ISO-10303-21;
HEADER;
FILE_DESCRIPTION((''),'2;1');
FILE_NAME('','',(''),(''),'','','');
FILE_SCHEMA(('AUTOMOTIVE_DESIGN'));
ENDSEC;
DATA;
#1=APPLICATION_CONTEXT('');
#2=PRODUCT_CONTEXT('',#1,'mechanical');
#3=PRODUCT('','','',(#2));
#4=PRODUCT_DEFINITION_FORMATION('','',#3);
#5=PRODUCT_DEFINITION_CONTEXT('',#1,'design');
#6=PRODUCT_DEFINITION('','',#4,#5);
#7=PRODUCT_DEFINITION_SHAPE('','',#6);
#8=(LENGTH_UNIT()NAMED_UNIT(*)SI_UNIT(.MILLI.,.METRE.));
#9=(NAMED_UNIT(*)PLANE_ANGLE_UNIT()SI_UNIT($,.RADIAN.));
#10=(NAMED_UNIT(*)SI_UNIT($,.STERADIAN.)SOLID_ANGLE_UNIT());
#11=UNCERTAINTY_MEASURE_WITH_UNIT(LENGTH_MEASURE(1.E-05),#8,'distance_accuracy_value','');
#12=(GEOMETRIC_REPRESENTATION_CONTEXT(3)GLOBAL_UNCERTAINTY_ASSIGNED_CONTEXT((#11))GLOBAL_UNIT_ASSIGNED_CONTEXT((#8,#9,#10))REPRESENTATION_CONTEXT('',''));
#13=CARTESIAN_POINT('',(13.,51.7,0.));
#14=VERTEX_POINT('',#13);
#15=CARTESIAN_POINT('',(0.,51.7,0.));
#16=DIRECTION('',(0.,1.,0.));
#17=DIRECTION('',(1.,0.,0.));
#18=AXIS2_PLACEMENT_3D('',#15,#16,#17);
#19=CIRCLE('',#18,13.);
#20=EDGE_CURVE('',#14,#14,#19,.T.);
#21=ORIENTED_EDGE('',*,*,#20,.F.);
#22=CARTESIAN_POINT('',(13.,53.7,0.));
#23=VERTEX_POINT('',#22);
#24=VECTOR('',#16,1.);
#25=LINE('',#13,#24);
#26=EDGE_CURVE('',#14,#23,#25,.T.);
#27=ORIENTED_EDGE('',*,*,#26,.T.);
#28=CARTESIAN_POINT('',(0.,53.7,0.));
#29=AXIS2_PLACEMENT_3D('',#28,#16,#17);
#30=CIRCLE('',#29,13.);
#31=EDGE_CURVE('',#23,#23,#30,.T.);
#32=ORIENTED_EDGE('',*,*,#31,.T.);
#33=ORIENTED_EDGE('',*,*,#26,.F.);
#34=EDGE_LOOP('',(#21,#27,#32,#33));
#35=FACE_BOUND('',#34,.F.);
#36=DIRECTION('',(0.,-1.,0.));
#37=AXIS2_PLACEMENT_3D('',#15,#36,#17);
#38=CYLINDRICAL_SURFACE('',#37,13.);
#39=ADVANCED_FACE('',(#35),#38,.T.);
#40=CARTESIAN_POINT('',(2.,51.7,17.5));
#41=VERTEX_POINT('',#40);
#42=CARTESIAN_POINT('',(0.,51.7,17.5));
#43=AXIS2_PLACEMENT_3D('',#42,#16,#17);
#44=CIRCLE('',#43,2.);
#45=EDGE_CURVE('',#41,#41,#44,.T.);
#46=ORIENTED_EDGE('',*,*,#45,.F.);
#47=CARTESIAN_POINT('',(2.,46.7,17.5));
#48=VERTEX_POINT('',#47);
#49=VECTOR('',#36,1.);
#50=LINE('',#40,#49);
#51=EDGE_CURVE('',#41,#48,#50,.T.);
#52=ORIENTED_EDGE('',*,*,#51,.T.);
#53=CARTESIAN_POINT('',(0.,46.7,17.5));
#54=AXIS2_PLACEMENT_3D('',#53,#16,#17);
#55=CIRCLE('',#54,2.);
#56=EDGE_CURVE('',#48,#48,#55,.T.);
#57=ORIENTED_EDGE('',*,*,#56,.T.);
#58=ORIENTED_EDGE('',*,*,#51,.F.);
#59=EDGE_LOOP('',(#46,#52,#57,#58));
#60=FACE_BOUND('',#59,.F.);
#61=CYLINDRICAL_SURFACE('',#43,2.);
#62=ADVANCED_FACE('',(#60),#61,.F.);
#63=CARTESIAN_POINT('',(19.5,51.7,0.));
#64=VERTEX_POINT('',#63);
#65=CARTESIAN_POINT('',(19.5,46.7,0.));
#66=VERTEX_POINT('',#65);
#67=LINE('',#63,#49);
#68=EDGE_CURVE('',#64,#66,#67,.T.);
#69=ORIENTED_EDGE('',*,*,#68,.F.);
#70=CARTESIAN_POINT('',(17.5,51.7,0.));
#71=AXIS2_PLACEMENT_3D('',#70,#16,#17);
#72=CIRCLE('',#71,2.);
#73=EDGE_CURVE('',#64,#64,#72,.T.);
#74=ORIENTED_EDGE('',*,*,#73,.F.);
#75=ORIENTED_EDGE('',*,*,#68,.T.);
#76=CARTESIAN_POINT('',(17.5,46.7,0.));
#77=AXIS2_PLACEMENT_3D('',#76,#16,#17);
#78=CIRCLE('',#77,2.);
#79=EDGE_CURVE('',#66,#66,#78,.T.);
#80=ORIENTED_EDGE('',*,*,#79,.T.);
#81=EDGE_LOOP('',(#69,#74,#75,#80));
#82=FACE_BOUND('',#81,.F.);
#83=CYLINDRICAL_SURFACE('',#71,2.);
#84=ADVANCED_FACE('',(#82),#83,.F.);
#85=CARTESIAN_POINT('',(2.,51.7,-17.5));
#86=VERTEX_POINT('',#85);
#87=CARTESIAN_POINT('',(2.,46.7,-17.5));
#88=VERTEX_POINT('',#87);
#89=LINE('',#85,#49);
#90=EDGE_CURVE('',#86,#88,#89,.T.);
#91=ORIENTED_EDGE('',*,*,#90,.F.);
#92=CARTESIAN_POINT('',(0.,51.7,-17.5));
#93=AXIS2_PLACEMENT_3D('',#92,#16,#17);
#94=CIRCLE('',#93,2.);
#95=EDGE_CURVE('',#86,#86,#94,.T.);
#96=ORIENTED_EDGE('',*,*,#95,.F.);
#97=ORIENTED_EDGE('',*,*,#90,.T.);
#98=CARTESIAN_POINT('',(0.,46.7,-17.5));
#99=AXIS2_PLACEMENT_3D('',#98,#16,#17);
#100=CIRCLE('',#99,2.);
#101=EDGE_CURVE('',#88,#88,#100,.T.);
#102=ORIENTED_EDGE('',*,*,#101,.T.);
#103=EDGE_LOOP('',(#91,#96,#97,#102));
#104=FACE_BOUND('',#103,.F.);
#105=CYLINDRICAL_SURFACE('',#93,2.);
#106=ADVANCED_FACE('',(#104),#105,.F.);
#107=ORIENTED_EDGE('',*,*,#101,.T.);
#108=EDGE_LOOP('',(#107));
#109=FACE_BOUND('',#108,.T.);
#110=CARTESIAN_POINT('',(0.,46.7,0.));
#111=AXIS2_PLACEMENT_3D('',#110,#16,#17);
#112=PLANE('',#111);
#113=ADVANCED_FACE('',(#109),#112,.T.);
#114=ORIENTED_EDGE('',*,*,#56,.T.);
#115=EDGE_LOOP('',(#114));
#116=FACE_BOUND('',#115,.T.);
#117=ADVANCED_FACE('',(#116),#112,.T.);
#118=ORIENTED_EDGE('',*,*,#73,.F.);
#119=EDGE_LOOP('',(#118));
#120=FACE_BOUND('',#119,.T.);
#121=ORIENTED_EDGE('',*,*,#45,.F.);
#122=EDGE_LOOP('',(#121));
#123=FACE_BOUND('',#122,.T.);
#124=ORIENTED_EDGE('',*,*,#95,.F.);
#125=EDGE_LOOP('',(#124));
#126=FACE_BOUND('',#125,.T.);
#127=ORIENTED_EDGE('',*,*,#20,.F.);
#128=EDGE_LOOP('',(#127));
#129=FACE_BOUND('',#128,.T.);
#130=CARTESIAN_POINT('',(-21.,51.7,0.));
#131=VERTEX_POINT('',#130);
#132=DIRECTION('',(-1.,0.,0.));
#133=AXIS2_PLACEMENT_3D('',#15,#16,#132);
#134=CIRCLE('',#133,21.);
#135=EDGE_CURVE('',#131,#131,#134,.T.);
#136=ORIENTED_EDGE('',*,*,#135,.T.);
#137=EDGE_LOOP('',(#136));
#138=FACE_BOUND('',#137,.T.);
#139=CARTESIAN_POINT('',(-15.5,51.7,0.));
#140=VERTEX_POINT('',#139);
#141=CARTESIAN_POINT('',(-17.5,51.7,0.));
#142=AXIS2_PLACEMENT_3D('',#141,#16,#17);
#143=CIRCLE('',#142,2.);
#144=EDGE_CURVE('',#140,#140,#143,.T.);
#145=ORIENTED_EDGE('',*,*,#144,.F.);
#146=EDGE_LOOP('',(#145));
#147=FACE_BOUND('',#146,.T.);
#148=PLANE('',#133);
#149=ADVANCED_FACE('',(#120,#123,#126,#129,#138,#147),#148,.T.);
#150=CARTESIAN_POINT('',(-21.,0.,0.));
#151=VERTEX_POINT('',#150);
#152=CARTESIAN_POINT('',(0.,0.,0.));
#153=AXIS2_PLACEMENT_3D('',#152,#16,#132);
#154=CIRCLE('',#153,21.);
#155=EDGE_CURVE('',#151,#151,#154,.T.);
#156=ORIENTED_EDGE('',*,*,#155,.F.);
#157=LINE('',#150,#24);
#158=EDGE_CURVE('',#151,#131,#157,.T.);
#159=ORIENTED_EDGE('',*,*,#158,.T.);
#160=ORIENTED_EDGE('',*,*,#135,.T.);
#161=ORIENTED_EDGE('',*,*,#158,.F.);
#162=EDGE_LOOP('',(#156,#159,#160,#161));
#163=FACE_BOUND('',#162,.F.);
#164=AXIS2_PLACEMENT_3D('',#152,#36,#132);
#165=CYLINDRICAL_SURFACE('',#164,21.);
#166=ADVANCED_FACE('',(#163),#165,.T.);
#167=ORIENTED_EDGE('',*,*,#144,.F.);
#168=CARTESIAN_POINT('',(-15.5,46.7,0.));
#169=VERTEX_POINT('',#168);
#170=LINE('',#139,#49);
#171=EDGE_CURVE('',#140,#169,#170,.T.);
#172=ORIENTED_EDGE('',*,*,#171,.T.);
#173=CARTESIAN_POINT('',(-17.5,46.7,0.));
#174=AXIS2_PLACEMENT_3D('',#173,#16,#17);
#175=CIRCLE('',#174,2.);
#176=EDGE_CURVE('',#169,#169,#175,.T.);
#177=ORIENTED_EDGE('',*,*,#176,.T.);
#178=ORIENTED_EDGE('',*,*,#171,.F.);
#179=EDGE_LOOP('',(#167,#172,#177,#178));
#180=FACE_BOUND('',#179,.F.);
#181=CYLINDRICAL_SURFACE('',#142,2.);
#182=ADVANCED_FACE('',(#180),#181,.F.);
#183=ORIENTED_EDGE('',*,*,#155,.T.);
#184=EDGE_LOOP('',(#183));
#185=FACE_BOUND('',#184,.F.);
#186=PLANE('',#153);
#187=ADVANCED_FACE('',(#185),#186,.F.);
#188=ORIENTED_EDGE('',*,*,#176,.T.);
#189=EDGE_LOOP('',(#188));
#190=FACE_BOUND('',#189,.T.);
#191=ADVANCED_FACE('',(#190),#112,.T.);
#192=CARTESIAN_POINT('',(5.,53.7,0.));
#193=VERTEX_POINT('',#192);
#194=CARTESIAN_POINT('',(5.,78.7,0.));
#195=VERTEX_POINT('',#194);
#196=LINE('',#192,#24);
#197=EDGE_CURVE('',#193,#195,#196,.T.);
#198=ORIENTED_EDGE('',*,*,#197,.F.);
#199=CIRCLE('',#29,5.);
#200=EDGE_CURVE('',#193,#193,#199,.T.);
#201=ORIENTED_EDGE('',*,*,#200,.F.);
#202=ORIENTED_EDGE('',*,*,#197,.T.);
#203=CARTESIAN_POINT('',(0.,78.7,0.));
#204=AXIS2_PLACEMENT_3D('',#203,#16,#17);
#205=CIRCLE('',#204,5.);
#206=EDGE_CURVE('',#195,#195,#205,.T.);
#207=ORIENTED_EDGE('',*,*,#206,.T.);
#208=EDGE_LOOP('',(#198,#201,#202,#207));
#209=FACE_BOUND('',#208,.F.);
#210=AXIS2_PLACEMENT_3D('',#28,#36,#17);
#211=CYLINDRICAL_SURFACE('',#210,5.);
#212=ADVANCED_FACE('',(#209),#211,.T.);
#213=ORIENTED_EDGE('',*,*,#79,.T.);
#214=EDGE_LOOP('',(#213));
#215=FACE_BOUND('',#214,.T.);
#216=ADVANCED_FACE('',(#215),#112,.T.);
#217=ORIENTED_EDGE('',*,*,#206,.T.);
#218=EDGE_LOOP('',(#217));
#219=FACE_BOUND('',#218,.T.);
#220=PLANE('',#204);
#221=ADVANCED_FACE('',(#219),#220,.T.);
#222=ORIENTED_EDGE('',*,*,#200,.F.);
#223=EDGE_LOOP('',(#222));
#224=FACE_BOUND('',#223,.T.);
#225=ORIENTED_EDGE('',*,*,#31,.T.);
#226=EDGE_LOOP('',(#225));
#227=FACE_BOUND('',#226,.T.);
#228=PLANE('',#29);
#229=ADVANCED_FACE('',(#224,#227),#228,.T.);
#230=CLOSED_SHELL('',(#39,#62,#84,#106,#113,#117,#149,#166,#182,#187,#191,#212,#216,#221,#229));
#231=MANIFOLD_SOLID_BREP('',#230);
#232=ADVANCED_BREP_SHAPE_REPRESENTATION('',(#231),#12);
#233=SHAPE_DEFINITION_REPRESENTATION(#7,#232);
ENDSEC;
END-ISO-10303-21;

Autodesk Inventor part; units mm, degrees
ref_plane "YZ Plane" through (0, 0, 0) normal (1, 0, 0) x (0, 1, 0)
ref_plane "XZ Plane" through (0, 0, 0) normal (0, 1, 0) x (-1, 0, 0)
ref_plane "XY Plane" through (0, 0, 0) normal (0, 0, 1) x (1, 0, 0)
sketch "Sketch1" plane through (0, 0, 0) normal (0, 1, 0) x (-1, 0, 0)
  circle A0 centre (0, 0) radius 21
  dimension "d0" = 42
extrude "Extrusion1" add sketch "Sketch1" along normal blind 51.7
sketch "Sketch2" plane through (0, 51.7, 0) normal (0, 1, 0) x (1, 0, 0)
  circle A0 centre (0, 0) radius 13
  dimension "d3" = 26
extrude "Extrusion2" add sketch "Sketch2" along normal blind 2
sketch "Sketch3" plane through (0, 53.7, 0) normal (0, 1, 0) x (1, 0, 0)
  circle A0 centre (0, 0) radius 5
  dimension "d6" = 10
extrude "Extrusion3" add sketch "Sketch3" along normal blind 25
sketch "Sketch4" plane through (0, 51.7, 0) normal (0, 1, 0) x (1, 0, 0)
  circle A0 centre (0, -17.5) radius 2
  line L0 (0, -17.5) -> (0, 0) construction
  circle A1 centre (17.5, 0) radius 2
  circle A2 centre (0, 17.5) radius 2
  circle A3 centre (-17.5, 0) radius 2
  dimension "d9" = 4
  dimension "d10" = 17.5
  dimension "d13" = 360
extrude "Extrusion4" cut sketch "Sketch4" against normal blind 5
properties part number "27-1 Gearbox" material "Aluminum 6061"
